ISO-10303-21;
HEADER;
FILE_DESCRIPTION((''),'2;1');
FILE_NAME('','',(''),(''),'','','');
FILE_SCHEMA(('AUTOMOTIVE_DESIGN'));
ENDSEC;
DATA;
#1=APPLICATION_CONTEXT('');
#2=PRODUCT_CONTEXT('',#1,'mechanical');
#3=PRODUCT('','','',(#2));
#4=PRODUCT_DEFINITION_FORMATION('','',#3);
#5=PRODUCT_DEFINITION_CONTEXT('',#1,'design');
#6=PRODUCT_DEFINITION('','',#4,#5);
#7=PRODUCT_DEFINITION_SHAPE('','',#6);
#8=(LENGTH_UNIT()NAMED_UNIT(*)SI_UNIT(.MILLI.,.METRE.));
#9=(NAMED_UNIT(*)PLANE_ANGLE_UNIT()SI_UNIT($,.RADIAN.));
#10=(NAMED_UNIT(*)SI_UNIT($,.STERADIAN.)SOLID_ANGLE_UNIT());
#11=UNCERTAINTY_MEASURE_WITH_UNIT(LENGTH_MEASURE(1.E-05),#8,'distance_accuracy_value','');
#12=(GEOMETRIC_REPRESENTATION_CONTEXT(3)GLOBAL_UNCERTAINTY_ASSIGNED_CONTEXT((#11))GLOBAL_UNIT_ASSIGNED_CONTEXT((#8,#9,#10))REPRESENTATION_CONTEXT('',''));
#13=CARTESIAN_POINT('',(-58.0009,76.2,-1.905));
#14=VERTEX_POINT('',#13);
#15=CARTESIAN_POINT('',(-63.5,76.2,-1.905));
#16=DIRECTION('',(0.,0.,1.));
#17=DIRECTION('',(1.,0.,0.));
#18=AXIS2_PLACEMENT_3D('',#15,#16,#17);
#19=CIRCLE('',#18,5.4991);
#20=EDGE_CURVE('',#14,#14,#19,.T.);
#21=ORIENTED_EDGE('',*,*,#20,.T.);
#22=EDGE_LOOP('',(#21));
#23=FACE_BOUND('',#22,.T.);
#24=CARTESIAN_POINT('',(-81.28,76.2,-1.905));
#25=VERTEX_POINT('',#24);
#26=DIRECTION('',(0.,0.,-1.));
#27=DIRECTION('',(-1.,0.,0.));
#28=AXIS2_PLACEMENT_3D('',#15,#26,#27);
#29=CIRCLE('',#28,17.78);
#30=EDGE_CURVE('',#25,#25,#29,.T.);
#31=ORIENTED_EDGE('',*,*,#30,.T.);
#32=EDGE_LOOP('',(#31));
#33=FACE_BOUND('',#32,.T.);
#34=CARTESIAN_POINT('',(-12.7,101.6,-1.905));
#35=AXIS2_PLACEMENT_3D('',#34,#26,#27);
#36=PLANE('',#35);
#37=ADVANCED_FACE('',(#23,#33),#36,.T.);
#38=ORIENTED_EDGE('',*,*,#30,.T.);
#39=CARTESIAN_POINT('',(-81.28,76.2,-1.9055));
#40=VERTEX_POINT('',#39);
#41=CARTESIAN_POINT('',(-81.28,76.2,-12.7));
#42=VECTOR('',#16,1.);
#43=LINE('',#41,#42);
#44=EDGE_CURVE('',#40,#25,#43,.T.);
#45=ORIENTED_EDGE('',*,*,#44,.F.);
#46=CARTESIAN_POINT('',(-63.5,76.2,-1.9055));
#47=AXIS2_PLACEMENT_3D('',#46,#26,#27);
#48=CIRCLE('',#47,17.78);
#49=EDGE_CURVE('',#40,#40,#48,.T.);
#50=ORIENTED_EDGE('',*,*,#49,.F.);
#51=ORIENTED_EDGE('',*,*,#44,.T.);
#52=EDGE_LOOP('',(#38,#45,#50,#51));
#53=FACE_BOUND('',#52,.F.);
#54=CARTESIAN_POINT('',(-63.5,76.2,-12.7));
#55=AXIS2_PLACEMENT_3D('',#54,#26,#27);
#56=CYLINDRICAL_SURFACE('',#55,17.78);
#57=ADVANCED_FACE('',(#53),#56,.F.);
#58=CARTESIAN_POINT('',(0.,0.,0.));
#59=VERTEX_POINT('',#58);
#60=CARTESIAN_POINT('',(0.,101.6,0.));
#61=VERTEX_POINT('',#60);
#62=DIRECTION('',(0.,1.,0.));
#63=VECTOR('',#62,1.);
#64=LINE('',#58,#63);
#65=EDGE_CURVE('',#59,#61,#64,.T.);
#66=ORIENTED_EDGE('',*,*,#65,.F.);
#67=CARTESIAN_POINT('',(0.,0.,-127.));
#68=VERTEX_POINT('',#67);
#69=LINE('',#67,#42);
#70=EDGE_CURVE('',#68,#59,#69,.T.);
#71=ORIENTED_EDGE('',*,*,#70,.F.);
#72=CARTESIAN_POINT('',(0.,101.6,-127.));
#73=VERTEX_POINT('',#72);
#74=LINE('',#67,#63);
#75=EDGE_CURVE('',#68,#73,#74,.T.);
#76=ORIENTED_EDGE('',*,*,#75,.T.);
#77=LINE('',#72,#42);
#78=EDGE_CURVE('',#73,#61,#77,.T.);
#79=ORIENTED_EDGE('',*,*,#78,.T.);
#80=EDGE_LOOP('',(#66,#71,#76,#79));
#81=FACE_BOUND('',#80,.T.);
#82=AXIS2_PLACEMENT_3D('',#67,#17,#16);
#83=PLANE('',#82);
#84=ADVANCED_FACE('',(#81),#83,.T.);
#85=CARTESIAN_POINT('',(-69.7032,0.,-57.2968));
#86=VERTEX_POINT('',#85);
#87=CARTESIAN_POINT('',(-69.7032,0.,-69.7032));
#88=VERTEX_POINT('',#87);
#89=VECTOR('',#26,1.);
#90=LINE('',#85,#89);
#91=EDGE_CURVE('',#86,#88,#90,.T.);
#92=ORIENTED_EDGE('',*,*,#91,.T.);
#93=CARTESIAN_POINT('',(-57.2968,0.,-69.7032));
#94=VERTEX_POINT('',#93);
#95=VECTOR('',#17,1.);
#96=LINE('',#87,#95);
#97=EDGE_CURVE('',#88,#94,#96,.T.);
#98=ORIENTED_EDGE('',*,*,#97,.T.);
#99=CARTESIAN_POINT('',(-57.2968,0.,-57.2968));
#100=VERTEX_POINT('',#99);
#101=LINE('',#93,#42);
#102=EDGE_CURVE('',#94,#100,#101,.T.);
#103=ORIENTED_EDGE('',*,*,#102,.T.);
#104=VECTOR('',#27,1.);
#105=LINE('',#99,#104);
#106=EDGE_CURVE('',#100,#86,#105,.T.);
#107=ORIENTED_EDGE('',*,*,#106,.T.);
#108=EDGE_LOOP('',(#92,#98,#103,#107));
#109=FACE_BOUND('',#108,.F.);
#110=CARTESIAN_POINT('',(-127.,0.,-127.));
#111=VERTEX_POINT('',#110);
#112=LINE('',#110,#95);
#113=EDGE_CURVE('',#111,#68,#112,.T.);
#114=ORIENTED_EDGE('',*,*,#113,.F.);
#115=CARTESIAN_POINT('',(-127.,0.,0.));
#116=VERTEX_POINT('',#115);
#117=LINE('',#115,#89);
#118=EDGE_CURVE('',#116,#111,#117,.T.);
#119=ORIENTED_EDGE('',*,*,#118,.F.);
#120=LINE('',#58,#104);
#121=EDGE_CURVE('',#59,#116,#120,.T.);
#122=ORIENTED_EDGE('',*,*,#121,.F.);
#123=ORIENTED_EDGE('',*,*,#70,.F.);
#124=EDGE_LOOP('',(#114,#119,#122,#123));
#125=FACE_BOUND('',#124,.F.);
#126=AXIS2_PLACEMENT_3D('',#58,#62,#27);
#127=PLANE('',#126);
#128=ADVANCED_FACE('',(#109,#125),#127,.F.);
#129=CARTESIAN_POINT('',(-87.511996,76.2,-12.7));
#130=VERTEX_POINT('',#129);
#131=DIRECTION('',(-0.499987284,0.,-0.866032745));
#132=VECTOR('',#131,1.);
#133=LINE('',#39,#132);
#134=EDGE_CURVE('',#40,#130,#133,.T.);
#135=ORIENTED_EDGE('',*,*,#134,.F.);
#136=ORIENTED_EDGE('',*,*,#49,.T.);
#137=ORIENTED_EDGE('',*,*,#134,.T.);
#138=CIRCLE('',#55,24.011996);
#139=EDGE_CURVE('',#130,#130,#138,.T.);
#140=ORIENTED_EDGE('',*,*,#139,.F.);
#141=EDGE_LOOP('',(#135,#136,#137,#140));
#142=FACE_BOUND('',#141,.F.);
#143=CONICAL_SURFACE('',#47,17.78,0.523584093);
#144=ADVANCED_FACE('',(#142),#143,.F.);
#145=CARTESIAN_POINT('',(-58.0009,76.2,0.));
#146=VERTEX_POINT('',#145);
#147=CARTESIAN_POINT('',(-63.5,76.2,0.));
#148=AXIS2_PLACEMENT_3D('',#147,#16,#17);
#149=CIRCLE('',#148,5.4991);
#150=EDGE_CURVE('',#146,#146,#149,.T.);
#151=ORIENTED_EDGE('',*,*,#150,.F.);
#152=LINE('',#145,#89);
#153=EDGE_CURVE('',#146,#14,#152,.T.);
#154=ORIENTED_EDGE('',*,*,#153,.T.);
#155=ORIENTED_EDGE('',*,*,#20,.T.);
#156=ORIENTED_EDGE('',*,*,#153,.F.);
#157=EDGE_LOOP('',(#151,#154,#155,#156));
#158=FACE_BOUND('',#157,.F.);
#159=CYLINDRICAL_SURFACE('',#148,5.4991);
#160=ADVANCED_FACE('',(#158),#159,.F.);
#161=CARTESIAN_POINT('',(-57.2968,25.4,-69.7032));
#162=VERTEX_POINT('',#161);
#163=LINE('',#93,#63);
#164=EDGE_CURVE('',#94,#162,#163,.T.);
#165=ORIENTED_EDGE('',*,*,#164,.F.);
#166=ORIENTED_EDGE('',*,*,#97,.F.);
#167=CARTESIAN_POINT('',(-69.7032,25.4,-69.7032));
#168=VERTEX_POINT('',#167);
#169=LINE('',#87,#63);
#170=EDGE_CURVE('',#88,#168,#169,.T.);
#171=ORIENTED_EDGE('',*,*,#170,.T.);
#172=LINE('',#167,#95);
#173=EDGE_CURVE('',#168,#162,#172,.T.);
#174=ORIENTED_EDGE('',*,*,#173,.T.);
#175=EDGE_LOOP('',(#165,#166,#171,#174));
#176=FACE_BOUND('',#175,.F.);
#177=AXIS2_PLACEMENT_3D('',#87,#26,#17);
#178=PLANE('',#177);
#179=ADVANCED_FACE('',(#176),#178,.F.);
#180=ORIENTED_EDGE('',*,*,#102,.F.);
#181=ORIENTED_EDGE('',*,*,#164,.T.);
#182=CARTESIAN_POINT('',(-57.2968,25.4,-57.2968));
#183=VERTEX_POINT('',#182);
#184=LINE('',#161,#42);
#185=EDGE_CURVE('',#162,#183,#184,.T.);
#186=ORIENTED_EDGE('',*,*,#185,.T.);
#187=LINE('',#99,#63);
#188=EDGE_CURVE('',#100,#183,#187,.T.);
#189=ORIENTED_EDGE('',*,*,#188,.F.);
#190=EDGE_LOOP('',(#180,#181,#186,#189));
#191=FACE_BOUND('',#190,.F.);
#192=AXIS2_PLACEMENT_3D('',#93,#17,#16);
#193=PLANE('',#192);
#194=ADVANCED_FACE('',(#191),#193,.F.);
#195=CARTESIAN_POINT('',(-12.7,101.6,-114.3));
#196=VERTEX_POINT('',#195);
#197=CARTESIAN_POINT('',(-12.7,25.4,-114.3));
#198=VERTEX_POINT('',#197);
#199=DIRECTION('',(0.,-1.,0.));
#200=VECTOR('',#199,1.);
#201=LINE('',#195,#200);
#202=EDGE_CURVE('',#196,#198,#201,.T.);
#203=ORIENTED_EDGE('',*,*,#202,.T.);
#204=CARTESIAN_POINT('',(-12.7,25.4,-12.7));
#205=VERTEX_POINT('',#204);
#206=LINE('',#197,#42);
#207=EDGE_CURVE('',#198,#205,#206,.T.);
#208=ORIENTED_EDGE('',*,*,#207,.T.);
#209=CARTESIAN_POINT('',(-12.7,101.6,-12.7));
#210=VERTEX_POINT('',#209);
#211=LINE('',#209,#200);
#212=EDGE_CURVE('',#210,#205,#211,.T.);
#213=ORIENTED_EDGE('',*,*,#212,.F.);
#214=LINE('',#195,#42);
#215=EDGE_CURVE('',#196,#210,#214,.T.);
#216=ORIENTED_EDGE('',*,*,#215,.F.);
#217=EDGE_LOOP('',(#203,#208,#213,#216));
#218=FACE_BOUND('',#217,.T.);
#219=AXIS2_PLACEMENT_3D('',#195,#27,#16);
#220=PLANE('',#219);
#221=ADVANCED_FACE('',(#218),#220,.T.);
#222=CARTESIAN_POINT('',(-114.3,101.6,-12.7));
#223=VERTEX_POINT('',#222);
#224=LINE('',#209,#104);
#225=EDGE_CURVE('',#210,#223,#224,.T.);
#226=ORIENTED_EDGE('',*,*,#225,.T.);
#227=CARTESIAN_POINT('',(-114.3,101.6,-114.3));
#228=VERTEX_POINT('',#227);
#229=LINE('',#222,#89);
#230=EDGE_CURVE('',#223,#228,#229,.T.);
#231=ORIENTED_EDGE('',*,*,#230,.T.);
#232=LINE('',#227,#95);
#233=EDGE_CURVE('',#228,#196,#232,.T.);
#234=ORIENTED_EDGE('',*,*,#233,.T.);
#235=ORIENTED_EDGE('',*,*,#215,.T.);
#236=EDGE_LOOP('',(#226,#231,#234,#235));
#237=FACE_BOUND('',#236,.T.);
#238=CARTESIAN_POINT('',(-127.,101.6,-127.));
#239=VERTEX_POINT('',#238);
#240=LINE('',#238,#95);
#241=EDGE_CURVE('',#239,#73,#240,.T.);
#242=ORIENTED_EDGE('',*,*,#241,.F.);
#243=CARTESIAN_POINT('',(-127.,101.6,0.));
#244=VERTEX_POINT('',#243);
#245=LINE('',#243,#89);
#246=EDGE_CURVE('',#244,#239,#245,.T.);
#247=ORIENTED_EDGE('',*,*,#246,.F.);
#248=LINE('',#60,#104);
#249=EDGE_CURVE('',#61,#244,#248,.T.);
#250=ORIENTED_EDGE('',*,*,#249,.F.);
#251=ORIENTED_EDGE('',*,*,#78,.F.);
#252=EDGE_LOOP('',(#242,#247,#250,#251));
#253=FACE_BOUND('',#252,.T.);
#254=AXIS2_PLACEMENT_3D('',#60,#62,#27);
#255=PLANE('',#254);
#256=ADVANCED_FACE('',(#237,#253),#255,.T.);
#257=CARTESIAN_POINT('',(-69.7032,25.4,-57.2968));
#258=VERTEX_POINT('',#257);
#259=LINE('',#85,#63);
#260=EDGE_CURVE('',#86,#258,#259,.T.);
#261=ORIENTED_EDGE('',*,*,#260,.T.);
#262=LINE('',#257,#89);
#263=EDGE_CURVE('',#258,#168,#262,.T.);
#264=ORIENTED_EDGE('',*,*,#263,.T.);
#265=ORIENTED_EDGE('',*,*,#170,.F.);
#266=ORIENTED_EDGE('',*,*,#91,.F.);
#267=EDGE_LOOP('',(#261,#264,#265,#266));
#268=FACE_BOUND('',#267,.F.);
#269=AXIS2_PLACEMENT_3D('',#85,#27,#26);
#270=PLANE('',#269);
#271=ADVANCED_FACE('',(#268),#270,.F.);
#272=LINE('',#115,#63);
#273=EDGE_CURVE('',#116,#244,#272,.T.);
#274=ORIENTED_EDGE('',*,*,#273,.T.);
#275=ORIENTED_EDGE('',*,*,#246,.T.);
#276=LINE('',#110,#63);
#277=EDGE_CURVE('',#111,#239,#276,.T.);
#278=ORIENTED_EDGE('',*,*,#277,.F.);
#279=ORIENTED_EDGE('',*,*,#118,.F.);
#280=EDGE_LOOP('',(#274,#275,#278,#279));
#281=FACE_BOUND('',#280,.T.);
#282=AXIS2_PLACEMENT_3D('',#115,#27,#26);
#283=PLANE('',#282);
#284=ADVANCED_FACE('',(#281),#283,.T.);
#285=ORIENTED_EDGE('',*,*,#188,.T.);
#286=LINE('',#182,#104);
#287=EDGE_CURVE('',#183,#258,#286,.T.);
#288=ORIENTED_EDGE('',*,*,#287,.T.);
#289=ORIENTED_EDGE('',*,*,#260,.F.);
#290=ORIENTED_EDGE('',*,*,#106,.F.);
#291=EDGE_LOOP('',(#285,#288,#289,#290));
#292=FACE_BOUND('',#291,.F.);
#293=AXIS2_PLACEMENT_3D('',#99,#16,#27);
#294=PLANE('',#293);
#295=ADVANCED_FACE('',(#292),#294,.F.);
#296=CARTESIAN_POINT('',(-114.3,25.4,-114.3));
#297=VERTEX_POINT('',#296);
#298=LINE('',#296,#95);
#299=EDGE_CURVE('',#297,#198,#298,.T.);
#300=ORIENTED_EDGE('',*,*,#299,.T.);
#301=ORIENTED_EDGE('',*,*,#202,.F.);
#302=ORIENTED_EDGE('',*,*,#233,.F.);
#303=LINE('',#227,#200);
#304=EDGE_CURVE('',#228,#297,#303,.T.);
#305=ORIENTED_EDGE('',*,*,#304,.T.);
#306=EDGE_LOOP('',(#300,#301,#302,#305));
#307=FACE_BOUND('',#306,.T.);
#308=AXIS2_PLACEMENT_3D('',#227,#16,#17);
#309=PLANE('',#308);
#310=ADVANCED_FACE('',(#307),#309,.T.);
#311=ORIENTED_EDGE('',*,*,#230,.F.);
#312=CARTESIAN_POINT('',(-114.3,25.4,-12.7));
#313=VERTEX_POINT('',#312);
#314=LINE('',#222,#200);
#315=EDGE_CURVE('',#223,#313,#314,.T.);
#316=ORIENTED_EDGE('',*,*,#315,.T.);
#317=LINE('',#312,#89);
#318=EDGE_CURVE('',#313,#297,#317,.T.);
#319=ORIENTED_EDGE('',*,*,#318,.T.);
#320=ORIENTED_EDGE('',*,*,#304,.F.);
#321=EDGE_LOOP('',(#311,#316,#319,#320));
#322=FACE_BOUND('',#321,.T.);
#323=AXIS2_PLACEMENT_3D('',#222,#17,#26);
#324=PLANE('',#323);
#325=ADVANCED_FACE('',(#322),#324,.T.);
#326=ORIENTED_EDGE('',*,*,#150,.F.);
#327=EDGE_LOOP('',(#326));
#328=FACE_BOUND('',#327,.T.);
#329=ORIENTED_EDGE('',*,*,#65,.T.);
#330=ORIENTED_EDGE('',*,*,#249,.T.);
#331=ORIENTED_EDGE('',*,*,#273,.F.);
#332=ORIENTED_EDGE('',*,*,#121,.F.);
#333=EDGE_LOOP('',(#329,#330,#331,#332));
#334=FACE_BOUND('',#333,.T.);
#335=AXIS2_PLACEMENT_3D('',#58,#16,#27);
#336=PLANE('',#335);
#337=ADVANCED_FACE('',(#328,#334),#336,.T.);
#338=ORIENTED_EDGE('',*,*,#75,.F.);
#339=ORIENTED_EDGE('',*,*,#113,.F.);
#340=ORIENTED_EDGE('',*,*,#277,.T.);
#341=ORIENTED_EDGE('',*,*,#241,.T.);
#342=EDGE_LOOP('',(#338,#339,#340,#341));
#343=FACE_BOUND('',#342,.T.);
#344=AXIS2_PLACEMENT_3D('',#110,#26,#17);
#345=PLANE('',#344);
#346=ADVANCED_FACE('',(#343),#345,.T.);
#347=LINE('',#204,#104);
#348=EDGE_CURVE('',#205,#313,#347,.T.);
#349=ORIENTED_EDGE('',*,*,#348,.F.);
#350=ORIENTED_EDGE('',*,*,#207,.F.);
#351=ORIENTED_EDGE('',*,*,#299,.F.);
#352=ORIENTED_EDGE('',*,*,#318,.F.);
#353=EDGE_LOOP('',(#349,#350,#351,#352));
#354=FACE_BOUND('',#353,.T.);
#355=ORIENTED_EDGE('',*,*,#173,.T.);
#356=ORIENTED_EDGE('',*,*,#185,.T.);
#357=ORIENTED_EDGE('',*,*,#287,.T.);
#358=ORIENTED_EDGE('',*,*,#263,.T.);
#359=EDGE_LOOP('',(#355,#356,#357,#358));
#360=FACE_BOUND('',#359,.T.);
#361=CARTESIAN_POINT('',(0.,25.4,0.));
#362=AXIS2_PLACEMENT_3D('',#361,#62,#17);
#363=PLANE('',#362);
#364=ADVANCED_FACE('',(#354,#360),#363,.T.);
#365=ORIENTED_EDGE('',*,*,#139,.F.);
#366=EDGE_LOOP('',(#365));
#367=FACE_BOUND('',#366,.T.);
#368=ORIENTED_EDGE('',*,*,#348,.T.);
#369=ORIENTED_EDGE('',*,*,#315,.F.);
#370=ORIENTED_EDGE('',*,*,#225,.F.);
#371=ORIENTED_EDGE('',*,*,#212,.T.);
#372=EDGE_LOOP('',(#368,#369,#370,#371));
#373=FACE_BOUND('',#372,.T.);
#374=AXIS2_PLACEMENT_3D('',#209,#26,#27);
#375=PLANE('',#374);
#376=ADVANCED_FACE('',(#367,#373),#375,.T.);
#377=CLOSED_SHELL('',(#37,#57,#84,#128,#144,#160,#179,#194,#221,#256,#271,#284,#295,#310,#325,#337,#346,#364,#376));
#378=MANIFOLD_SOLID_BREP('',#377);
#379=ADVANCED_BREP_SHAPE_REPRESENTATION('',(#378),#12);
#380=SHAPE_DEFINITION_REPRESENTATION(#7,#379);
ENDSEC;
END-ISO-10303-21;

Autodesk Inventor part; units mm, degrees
ref_plane "YZ Plane" through (0, 0, 0) normal (1, 0, 0) x (0, 1, 0)
ref_plane "XZ Plane" through (0, 0, 0) normal (0, 1, 0) x (-1, 0, 0)
ref_plane "XY Plane" through (0, 0, 0) normal (0, 0, 1) x (1, 0, 0)
sketch "Sketch1" plane through (0, 0, 0) normal (0, 1, 0) x (-1, 0, 0)
  line L0 (0, 0) -> (127, 0)
  line L1 (127, 0) -> (127, -127)
  line L2 (127, -127) -> (0, -127)
  line L3 (0, -127) -> (0, 0)
  dimension "d0" = 127
  dimension "d1" = 127
extrude "Extrusion1" add sketch "Sketch1" along normal blind 101.6
sketch "Sketch2" plane through (0, 101.6, 0) normal (0, 1, 0) x (1, 0, 0)
  line L0 (-114.3, 114.3) -> (-12.7, 114.3)
  line L1 (-12.7, 114.3) -> (-12.7, 12.7)
  line L2 (-12.7, 12.7) -> (-114.3, 12.7)
  line L3 (-114.3, 12.7) -> (-114.3, 114.3)
  line L4 (-127, 127) -> (-127, 0) projected
  line L5 (0, 127) -> (-127, 127) projected
  point P0 (0, 0)
  dimension "d4" = 101.6
  dimension "d5" = 101.6
  dimension "d6" = 12.7
  dimension "d7" = 12.7
extrude "Extrusion2" cut sketch "Sketch2" against normal blind 76.2
sketch "Sketch3" plane through (-127, 0, 0) normal (0, 0, 1) x (1, 0, 0)
  point P0 (127, 0)
sketch "Sketch4" plane through (-127, 0, 0) normal (0, 0, 1) x (1, 0, 0)
  circle A0 centre (63.5, 76.2) radius 5.4991
  line L0 (127, 0) -> (0, 0) projected
  line L1 (127, 0) -> (127, 101.6) projected
  dimension "d10" = 10.9982
  dimension "d11" = 76.2
  dimension "d12" = 63.5
extrude "Extrusion3" cut sketch "Sketch4" against normal blind 76.2
sketch "Sketch5" plane through (-12.7, 101.6, -12.7) normal (0, 0, -1) x (-1, 0, 0)
  circle A0 centre (50.8, -25.4) radius 17.78
  line L0 (0, -76.2) -> (101.6, -76.2) projected
  line L1 (0, 0) -> (0, -76.2) projected
  point P0 (-12.7, -101.6)
  dimension "d15" = 35.56
  dimension "d16" = 50.8
  dimension "d17" = 50.8
extrude "Extrusion4" cut sketch "Sketch5" against normal blind 10.795
chamfer "Chamfer2" distance 10.795 angle 30 1 edges at (-45.72, 76.2, -12.7) measured on face at (-81.0498, 73.3479, -5.5033)
sketch "Sketch6" plane through (0, 0, 0) normal (0, -1, 0) x (1, 0, 0)
  line L0 (-57.2968, -57.2968) -> (-69.7032, -57.2968)
  line L1 (-69.7032, -57.2968) -> (-69.7032, -69.7032)
  line L2 (-69.7032, -69.7032) -> (-57.2968, -69.7032)
  line L3 (-57.2968, -69.7032) -> (-57.2968, -57.2968)
  line L4 (-127, -127) -> (0, -127) projected
  line L5 (0, -127) -> (0, 0) projected
  line L6 (0, 0) -> (-127, 0) projected
  line L7 (-127, 0) -> (-127, -127) projected
  dimension "d26" = 12.4064
  dimension "d27" = 12.4064
  dimension "d28" = 57.2968
  dimension "d29" = 57.2968
  dimension "d30" = 57.2968
  dimension "d31" = 57.2968
extrude "Extrusion5" cut sketch "Sketch6" against normal blind 25.4 contours L3 L2 L1 L0
equation "\"d6\" = -0.5 * d4 + 0.5 * d1"
equation "\"d7\" = -0.5 * d5 + 0.5 * d0"
equation "\"d12\" = 0.5 * d0"
equation "\"d28\" = -0.5 * d27 + 0.5 * d1"
equation "\"d29\" = -0.5 * d26 + 0.5 * d0"
properties part number "lampbottom"
